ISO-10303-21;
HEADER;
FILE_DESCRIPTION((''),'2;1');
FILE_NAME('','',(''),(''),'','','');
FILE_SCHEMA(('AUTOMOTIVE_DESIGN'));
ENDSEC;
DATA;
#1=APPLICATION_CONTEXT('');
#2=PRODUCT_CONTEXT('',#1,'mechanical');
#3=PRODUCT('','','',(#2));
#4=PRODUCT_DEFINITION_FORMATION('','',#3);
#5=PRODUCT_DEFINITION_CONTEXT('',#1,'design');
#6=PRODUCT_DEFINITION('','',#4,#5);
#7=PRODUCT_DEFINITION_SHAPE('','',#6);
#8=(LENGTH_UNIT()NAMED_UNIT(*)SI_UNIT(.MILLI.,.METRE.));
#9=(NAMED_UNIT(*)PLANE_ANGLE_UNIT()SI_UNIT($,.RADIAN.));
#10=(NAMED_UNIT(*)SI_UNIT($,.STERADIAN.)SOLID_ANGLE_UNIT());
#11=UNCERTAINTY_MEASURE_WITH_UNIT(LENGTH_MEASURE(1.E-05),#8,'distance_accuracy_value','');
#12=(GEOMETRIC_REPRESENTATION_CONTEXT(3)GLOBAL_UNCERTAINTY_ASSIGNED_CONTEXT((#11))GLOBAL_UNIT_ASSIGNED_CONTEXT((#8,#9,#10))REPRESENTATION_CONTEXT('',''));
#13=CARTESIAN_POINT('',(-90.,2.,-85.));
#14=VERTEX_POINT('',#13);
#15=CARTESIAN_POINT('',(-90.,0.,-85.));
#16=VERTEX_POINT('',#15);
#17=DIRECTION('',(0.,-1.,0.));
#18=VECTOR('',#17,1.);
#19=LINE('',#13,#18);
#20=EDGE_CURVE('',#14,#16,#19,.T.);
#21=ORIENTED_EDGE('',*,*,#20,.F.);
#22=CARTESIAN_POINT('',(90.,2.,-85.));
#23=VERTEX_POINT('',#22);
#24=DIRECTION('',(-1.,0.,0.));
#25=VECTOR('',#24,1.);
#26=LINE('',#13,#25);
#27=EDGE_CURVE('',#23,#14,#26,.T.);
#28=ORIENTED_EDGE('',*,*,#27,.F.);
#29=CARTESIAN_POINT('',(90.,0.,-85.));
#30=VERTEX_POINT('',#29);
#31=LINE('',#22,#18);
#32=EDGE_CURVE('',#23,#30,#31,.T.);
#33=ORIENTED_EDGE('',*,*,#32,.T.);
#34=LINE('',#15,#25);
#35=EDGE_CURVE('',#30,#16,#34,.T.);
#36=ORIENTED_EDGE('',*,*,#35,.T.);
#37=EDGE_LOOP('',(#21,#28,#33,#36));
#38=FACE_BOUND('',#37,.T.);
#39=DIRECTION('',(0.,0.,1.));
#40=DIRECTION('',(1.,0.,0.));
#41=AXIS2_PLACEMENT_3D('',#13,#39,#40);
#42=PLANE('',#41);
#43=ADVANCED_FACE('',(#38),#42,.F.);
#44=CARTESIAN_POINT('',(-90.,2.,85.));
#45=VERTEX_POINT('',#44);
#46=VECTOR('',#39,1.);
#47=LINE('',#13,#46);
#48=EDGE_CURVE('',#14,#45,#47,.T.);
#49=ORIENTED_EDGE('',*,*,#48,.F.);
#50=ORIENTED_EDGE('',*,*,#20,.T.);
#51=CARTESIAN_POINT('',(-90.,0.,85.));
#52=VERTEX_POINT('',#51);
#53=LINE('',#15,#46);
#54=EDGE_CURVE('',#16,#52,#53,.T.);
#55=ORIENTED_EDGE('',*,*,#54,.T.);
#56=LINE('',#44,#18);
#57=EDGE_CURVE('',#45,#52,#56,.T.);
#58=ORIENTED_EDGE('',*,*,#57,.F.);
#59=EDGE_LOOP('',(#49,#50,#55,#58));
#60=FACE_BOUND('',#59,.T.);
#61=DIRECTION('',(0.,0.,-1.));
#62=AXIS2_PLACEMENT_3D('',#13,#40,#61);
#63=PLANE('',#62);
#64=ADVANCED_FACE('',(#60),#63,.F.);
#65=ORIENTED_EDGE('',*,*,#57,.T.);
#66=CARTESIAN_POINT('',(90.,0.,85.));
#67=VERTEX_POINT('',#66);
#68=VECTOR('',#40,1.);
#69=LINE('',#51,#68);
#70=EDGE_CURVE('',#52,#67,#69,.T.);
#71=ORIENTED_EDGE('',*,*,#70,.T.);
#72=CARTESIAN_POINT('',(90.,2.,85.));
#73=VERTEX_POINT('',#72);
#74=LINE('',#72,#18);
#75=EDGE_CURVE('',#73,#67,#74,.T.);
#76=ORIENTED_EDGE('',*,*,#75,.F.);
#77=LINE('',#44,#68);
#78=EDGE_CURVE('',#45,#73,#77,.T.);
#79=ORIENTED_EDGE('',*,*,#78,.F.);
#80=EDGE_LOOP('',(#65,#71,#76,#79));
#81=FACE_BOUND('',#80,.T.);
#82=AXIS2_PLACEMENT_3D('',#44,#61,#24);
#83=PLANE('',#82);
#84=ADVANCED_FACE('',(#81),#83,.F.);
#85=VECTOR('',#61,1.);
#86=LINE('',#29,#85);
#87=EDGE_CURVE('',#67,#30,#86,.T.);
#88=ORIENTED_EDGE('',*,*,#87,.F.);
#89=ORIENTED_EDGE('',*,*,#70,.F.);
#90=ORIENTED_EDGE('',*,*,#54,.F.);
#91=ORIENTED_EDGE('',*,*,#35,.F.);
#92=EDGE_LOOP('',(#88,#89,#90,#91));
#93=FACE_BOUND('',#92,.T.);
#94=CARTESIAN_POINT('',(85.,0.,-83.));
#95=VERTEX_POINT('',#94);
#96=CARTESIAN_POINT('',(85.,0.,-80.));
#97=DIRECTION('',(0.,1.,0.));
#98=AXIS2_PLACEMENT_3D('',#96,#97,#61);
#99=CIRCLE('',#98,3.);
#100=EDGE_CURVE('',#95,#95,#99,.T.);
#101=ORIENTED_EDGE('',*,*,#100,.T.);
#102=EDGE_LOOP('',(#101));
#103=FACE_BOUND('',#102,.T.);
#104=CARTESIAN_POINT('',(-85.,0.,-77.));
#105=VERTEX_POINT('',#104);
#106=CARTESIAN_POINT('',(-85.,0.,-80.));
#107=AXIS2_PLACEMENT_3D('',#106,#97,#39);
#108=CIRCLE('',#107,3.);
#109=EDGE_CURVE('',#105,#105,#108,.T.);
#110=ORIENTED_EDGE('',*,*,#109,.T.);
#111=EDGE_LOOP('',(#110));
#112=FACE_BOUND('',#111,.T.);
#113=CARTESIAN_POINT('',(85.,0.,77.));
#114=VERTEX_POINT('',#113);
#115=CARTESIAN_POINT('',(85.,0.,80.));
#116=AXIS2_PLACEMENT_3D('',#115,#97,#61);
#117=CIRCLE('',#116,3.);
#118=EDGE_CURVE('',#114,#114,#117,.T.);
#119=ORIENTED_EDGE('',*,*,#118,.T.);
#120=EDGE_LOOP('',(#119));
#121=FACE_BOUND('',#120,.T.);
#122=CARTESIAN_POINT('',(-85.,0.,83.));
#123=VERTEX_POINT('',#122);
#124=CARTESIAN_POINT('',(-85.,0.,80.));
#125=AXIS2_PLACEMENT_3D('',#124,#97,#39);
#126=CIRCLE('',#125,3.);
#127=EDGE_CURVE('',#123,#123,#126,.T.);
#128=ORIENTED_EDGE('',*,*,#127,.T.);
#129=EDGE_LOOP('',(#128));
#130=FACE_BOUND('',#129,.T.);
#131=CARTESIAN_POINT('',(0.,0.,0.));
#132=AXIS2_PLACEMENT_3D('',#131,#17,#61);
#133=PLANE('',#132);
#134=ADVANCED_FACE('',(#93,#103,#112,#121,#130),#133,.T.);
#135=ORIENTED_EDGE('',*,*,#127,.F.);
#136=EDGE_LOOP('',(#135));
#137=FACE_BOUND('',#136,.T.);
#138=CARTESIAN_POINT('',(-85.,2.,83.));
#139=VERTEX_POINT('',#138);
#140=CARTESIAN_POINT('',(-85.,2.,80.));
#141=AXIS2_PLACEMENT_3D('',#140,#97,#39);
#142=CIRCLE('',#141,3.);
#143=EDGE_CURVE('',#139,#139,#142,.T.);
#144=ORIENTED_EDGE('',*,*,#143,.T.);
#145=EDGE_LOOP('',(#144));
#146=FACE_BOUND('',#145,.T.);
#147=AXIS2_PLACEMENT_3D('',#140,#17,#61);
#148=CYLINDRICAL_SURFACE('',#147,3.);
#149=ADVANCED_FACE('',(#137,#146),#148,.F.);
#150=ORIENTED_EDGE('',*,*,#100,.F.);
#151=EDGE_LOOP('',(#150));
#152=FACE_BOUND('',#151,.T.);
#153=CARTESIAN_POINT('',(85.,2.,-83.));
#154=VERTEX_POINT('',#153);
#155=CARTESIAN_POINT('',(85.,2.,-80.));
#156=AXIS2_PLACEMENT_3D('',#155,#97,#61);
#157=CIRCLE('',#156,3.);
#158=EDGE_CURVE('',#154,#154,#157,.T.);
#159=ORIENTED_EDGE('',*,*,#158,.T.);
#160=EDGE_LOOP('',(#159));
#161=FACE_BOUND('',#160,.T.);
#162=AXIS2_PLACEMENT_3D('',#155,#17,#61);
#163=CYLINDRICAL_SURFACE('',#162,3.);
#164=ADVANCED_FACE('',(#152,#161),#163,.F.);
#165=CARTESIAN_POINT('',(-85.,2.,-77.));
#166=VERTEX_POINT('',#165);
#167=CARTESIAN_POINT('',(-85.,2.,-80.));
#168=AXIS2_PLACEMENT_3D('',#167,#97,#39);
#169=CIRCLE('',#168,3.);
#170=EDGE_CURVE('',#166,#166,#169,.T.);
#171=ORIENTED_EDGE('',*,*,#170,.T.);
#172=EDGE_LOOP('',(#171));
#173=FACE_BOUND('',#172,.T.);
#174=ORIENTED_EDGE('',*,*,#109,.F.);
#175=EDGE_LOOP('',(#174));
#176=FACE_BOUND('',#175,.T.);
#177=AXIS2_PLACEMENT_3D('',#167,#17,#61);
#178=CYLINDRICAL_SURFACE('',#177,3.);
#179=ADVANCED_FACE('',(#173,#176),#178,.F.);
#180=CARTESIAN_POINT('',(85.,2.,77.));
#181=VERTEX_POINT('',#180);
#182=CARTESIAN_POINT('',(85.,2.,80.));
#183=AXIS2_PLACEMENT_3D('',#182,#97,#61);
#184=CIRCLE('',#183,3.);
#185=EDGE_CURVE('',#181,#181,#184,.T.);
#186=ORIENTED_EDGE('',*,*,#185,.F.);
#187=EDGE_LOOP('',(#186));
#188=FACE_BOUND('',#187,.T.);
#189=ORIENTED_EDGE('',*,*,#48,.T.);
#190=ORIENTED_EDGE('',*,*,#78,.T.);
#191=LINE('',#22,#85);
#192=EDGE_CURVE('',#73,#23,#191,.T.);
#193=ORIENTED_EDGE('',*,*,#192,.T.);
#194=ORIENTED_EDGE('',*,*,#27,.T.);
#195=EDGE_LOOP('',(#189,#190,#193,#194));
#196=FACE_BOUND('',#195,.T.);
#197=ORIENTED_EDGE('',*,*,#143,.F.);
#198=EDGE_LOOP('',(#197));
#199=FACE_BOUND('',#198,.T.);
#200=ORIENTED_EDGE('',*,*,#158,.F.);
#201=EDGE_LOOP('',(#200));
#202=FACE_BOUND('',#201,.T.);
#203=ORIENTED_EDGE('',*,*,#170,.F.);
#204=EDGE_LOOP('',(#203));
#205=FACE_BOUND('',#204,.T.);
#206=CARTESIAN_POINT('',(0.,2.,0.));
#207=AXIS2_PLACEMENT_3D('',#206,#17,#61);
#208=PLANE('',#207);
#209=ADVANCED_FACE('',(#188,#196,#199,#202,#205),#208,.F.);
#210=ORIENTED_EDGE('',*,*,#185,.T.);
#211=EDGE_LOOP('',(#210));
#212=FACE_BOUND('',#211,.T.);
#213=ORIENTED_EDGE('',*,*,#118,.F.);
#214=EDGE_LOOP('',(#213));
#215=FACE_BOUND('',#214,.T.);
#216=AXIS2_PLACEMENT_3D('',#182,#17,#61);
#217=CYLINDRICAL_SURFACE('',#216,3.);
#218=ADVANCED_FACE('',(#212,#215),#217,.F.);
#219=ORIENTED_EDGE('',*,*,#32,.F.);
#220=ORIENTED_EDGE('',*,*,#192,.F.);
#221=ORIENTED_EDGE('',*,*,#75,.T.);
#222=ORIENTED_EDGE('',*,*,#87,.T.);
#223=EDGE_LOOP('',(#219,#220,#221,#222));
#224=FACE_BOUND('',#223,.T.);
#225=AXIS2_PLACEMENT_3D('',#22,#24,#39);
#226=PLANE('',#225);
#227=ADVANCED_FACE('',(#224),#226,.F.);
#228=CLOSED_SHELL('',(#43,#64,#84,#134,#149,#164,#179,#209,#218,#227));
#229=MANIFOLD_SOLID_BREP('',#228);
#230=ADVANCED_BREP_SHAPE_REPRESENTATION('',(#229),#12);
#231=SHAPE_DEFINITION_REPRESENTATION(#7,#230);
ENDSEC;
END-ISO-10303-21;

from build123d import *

# Parameters (mm, degrees)
SKETCH1_W           = 180
SKETCH1_H           = 170
SKETCH1_R           = 3
BOSS_EXTRUDE1_DEPTH = 2


with BuildPart() as part:
    # Sketch1 → Boss-Extrude1 (new body)
    with BuildSketch(Plane(origin=(0, 0, 0), x_dir=(1, 0, 0), z_dir=(0, 1, 0))):
        Rectangle(SKETCH1_W, SKETCH1_H)
        with Locations(Location((-85, -80, 0), (0, 0, 270))):
            Circle(SKETCH1_R, mode=Mode.SUBTRACT)
        with Locations(Location((85, -80, 0), (0, 0, 90))):
            Circle(SKETCH1_R, mode=Mode.SUBTRACT)
        with Locations(Location((-85, 80, 0), (0, 0, 270))):
            Circle(SKETCH1_R, mode=Mode.SUBTRACT)
        with Locations(Location((85, 80, 0), (0, 0, 90))):
            Circle(SKETCH1_R, mode=Mode.SUBTRACT)
    extrude(amount=BOSS_EXTRUDE1_DEPTH)


solid = part.part
